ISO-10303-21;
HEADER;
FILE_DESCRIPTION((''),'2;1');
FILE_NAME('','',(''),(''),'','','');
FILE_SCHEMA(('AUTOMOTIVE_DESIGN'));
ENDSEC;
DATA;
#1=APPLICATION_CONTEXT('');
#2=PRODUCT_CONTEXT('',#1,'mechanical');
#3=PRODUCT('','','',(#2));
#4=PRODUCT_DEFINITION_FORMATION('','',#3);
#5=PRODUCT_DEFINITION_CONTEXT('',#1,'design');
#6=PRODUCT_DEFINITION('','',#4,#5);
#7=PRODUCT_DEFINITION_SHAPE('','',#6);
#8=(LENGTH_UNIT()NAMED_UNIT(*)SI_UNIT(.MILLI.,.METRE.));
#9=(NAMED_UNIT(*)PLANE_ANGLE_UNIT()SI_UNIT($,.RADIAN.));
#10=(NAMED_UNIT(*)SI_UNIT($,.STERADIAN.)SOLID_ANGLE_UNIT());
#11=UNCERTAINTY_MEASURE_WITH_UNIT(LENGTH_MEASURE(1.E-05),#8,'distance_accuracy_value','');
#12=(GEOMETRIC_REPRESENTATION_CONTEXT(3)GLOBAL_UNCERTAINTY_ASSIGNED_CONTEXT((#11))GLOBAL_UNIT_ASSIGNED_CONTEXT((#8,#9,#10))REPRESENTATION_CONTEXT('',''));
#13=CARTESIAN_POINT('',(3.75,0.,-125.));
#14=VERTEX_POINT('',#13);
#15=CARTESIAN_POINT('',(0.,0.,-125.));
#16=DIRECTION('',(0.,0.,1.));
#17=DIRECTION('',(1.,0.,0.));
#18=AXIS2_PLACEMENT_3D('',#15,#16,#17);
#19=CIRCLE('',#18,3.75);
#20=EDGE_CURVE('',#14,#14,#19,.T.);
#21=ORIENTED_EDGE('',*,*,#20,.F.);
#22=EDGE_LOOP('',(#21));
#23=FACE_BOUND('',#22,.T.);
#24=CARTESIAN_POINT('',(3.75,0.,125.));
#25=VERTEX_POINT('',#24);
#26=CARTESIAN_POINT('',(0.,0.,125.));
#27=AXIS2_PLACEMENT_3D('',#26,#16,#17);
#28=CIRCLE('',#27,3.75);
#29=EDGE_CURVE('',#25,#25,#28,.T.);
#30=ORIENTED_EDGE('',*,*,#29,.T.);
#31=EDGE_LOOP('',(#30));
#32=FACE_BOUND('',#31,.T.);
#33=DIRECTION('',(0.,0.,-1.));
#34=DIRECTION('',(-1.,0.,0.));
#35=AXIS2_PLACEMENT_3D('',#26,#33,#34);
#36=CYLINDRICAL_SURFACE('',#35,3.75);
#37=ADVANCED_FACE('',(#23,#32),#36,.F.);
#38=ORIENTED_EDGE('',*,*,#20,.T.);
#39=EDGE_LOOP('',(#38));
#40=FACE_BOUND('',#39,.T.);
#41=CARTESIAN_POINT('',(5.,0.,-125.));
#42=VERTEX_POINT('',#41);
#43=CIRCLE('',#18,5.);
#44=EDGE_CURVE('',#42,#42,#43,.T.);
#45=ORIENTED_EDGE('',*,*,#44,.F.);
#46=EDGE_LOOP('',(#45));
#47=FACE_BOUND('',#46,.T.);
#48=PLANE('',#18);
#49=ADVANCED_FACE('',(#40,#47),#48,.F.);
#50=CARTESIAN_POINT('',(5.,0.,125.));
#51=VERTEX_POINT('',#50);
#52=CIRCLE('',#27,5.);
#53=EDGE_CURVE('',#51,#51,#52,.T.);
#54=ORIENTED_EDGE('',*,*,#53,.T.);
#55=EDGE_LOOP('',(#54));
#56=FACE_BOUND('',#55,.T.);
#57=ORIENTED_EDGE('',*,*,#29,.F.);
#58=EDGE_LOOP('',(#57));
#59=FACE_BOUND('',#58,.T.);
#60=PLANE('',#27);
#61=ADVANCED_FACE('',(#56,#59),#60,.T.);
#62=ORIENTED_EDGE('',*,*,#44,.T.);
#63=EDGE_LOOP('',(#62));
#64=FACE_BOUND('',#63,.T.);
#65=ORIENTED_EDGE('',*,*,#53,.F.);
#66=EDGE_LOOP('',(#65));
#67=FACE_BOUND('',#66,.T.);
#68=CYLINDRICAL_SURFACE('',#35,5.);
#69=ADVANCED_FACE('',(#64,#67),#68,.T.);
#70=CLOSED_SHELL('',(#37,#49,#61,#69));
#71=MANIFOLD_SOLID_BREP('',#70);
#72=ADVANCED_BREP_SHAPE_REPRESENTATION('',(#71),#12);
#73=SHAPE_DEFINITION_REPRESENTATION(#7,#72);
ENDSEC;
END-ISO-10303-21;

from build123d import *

# Parameters (mm, degrees)
SKETCH1_R           = 5
SKETCH1_R_2         = 3.75
BOSS_EXTRUDE1_DEPTH = 125


with BuildPart() as part:
    # Sketch1 → Boss-Extrude1 (new, symmetric)
    with BuildSketch(Plane.XY):
        Circle(SKETCH1_R)
        Circle(SKETCH1_R_2, mode=Mode.SUBTRACT)
    extrude(amount=BOSS_EXTRUDE1_DEPTH, both=True)


solid = part.part
